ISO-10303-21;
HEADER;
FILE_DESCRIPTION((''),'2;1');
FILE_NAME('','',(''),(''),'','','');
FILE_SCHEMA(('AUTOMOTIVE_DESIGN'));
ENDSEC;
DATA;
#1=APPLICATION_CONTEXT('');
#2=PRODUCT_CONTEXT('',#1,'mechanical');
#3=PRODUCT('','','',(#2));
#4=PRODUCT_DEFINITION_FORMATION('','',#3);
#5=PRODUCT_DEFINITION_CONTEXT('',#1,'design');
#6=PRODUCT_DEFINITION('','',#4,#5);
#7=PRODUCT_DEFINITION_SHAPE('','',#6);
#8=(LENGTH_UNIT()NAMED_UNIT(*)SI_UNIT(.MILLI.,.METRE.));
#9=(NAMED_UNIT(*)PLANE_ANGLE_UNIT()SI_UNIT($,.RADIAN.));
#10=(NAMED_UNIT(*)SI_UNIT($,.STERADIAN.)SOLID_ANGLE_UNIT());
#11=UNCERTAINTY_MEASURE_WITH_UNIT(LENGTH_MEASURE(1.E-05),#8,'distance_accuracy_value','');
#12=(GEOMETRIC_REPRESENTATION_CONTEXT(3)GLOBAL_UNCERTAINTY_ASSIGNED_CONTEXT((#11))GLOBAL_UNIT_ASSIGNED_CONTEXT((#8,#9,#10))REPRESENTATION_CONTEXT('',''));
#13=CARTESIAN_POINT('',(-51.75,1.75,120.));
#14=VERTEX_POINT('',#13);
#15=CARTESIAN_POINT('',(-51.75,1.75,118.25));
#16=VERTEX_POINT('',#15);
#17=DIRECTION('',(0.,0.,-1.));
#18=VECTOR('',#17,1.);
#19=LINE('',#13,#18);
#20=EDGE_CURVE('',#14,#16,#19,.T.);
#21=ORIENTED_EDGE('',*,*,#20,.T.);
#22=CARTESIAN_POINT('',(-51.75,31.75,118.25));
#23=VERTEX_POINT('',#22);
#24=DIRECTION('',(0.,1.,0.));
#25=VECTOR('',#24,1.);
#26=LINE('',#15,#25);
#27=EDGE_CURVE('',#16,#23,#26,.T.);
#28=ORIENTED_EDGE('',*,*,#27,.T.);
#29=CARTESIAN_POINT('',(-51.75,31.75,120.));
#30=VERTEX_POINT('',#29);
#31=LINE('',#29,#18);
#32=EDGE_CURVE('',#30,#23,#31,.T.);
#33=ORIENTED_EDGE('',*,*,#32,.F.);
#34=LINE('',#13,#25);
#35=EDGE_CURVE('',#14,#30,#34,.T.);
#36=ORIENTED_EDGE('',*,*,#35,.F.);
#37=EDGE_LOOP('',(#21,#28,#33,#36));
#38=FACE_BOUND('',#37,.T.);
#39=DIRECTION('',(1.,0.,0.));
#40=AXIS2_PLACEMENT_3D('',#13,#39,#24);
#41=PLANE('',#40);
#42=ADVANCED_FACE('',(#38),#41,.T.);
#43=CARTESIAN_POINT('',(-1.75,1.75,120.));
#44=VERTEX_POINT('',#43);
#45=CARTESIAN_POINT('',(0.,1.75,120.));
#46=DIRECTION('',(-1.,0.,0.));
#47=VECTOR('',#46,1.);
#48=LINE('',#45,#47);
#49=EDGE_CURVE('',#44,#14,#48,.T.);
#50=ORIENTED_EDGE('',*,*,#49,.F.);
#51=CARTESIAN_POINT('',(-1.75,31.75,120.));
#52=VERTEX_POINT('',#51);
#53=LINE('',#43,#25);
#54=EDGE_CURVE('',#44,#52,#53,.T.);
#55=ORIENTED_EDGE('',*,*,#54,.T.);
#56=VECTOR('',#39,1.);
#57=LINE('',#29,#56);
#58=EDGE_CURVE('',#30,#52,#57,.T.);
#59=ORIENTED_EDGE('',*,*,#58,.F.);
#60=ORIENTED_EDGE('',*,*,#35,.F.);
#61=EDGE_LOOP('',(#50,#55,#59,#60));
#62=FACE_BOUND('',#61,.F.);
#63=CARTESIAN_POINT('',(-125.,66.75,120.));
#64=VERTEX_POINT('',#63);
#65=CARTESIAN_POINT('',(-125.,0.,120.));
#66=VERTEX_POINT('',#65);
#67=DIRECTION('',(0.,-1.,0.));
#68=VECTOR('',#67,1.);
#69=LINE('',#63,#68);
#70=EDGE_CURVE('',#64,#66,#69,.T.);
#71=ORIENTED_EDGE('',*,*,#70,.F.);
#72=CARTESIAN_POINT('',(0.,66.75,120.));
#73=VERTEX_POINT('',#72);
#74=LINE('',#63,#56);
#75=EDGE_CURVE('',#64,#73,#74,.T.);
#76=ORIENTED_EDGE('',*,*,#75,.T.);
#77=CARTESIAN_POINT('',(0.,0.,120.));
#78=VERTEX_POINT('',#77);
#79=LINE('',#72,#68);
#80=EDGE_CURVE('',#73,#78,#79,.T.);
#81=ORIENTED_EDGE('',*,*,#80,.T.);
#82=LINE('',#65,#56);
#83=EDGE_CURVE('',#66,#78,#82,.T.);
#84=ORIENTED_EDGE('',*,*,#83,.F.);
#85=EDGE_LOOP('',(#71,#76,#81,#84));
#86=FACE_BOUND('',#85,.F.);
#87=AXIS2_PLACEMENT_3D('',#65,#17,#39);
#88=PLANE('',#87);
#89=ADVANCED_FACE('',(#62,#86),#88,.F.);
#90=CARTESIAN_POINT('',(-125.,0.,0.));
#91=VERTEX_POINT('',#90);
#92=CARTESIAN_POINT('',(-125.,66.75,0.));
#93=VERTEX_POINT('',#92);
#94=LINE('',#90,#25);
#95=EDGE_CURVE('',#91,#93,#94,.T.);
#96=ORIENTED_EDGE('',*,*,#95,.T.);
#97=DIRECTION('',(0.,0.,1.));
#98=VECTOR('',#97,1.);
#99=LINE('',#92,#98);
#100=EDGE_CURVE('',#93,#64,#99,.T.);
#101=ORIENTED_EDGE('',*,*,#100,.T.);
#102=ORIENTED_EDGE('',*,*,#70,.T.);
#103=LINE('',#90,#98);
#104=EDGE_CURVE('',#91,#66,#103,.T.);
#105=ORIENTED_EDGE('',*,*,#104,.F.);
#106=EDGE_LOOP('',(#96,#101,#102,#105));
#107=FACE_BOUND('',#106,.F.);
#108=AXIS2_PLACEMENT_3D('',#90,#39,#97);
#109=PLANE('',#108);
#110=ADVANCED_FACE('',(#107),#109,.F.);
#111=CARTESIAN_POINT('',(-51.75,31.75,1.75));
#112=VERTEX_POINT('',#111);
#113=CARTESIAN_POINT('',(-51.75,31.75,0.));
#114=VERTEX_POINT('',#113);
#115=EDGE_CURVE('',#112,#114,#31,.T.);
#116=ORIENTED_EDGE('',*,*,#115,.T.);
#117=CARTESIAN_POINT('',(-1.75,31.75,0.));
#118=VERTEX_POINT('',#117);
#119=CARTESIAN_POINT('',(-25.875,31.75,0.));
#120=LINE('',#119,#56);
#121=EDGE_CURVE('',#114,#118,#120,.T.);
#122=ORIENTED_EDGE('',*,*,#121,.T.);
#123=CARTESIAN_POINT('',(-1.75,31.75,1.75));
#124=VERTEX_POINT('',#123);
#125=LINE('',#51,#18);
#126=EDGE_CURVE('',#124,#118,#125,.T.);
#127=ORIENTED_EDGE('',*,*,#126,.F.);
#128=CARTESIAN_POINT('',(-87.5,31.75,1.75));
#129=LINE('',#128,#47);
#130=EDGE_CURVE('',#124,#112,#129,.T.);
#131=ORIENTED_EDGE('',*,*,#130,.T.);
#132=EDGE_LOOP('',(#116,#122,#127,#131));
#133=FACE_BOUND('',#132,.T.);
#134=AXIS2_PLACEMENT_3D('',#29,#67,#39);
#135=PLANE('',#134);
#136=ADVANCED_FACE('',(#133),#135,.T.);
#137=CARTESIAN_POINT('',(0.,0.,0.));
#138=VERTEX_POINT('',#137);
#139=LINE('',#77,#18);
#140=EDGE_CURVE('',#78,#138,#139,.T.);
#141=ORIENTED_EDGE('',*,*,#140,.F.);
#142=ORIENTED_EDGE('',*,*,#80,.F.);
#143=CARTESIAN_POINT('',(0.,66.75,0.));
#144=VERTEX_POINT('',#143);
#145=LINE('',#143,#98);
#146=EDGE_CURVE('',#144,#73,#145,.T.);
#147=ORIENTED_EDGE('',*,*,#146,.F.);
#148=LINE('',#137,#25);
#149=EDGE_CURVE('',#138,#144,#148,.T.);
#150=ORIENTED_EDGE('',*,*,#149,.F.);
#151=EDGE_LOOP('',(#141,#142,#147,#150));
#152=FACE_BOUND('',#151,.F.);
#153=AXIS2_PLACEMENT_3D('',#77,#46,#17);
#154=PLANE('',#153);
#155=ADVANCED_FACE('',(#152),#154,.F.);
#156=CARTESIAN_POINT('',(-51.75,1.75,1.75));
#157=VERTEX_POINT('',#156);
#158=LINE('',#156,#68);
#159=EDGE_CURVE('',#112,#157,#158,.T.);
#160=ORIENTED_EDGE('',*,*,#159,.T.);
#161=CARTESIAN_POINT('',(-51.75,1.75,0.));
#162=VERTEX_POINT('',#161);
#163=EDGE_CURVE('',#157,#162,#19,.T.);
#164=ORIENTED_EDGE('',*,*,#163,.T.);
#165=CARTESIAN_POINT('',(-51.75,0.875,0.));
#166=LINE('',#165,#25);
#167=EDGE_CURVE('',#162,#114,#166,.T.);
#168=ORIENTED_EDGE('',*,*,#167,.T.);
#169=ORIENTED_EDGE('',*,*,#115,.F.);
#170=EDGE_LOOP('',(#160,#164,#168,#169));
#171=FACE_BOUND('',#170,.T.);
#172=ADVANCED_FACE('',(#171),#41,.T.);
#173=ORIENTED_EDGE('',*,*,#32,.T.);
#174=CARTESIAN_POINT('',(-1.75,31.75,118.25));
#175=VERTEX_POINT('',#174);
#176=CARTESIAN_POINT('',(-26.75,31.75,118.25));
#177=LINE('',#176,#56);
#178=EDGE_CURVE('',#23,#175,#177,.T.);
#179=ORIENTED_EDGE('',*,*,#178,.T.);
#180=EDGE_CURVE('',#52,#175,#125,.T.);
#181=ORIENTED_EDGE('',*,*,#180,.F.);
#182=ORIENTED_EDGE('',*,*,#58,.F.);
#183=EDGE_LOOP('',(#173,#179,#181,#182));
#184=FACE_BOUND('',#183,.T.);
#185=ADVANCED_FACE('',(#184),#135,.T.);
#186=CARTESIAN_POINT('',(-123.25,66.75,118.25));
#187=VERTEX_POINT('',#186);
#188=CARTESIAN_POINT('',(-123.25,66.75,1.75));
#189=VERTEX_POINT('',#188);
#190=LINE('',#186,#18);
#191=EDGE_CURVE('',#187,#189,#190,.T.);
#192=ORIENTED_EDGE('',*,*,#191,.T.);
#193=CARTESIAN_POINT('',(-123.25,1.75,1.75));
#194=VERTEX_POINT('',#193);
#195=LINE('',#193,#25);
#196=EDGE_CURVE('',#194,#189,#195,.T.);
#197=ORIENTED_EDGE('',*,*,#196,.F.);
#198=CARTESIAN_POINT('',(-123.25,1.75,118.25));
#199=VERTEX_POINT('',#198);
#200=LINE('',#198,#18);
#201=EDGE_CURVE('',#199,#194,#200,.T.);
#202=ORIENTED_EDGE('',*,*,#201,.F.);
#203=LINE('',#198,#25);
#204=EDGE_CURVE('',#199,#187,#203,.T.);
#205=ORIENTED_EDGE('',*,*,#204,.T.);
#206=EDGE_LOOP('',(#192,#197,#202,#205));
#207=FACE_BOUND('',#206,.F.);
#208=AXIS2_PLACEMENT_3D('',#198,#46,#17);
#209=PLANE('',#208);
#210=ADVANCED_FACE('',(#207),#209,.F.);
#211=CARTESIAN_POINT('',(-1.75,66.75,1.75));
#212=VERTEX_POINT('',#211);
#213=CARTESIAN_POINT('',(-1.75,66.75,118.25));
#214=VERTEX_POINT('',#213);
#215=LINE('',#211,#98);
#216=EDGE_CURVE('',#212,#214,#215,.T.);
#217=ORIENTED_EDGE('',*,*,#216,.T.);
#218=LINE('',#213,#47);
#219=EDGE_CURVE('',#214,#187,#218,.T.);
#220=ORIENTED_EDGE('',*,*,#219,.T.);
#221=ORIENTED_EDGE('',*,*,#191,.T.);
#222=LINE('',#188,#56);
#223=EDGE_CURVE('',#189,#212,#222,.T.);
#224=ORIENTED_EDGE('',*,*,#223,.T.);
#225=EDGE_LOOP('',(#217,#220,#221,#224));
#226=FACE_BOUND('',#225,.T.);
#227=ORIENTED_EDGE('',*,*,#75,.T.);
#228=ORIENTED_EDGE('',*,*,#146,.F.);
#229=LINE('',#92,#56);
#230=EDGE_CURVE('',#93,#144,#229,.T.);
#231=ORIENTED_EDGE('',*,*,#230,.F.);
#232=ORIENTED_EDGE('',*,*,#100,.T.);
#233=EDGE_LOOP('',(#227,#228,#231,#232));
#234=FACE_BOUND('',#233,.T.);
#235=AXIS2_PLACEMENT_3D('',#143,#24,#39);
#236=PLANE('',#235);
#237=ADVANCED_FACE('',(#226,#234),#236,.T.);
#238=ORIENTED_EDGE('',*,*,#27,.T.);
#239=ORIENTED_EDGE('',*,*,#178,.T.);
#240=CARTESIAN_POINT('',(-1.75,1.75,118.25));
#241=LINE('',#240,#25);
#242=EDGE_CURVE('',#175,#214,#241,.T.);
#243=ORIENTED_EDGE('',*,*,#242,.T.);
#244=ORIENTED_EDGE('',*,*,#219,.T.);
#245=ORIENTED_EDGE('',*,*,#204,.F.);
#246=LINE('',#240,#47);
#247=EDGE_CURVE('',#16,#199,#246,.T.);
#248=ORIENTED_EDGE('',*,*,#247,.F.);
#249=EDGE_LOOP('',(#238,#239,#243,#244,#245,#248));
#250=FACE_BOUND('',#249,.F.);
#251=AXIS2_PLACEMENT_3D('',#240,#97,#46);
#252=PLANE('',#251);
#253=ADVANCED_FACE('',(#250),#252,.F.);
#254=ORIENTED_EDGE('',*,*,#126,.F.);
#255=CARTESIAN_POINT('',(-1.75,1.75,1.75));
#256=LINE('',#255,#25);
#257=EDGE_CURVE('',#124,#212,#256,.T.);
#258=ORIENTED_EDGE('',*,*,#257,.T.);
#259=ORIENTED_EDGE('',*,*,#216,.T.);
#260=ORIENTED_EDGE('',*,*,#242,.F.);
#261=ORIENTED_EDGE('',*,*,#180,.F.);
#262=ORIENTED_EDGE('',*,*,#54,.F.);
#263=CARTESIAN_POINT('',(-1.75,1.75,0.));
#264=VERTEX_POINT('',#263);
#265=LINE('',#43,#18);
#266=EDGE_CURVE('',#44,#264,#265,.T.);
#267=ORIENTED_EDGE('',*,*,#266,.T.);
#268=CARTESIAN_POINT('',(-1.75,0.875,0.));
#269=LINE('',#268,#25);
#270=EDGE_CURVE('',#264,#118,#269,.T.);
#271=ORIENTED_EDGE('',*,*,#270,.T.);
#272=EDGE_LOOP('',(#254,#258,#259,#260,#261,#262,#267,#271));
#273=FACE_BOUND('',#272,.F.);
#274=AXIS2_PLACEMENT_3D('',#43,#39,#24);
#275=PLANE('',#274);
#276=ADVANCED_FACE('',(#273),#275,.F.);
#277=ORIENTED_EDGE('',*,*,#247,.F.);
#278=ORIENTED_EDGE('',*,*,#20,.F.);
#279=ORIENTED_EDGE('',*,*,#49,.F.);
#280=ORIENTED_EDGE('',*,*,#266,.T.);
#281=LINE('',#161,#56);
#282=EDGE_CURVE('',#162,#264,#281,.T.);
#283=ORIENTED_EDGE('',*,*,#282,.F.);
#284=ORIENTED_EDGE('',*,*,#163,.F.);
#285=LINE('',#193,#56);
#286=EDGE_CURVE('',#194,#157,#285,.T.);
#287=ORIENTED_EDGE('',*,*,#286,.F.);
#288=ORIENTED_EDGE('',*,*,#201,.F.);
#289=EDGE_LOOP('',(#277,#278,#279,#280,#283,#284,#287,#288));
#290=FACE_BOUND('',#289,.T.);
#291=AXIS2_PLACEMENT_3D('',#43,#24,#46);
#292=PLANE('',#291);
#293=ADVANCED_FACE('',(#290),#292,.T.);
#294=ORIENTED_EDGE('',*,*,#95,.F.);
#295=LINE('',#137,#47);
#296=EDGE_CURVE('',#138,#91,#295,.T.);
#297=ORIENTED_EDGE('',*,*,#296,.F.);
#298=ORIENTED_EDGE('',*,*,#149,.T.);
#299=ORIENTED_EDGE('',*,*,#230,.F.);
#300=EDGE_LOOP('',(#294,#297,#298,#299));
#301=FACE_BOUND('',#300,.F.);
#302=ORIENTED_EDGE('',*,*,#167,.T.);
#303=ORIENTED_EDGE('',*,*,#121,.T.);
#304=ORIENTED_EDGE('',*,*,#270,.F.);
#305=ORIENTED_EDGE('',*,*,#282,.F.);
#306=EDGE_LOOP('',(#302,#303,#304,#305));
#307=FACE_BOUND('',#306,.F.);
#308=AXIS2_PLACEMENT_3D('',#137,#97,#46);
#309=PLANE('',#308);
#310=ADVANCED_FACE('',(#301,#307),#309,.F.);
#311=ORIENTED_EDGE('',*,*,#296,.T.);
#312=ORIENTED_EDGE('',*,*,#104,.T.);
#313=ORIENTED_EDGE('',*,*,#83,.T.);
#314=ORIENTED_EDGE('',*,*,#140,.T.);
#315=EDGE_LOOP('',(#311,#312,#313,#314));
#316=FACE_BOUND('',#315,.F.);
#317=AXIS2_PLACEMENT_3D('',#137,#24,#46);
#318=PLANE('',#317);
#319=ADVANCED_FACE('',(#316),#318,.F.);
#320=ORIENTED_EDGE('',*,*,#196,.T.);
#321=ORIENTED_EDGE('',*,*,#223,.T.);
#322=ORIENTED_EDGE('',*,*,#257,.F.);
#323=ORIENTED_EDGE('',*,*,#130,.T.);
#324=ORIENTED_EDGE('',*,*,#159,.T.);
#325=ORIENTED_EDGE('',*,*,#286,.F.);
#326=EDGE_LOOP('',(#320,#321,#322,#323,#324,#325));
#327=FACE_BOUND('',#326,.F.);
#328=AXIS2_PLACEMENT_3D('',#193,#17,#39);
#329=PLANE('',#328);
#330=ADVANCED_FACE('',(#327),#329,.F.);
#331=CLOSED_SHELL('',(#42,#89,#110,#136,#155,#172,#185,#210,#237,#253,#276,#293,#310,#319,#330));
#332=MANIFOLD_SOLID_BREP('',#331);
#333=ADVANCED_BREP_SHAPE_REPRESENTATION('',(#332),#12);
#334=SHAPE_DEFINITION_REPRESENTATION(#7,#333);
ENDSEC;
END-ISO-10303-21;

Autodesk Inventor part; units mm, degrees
ref_plane "YZ Plane" through (0, 0, 0) normal (1, 0, 0) x (0, 1, 0)
ref_plane "XZ Plane" through (0, 0, 0) normal (0, 1, 0) x (-1, 0, 0)
ref_plane "XY Plane" through (0, 0, 0) normal (0, 0, 1) x (1, 0, 0)
sketch "Sketch1" plane through (0, 0, 0) normal (0, 1, 0) x (-1, 0, 0)
  line L0 (0, 0) -> (125, 0)
  line L1 (125, 0) -> (125, 120)
  line L2 (125, 120) -> (0, 120)
  line L3 (0, 120) -> (0, 0)
  dimension "d0" = 125
  dimension "d1" = 120
extrude "Extrusion1" add sketch "Sketch1" along normal blind 1.75
sketch "Sketch2" plane through (0, 1.75, 0) normal (0, 1, 0) x (1, 0, 0)
  line L0 (0, 0) -> (-125, 0) projected
  line L1 (-125, 0) -> (-125, -120) projected
  line L2 (-125, -120) -> (0, -120) projected
  line L3 (0, -120) -> (0, 0) projected
  line L4 (-125, 0) -> (-119.2077, 0)
  line L5 (-125, -4.4946) -> (-125, 0)
  line L6 (-125, 0) -> (-123.25, 0)
  line L7 (-123.25, 0) -> (-123.25, -1.75)
  line L8 (-123.25, -1.75) -> (-125, -1.75)
  line L9 (-125, -1.75) -> (-125, 0)
  line L10 (0, -120) -> (-1.75, -120)
  line L11 (-1.75, -120) -> (-1.75, -118.25)
  line L12 (-1.75, -118.25) -> (0, -118.25)
  line L13 (0, -118.25) -> (0, -120)
  line L14 (-1.75, -118.25) -> (-123.25, -118.25)
  line L15 (-123.25, -118.25) -> (-123.25, -1.75)
  line L16 (-123.25, -1.75) -> (-1.75, -1.75)
  line L17 (-1.75, -1.75) -> (-1.75, -118.25)
  dimension "d4" = 1.75
  dimension "d5" = 1.75
  dimension "d6" = 1.75
  dimension "d7" = 1.75
extrude "Extrusion2" add sketch "Sketch2" along normal blind 65 contours L3 L12 L17 L16 L7 L0 | L3 L2 L11 L12 | L7 L8 L1 L0 | L11 L2 L1 L8 L15 L14
sketch "Sketch3" plane through (0, 0, 120) normal (1, 0, 0) x (0, 0, -1)
  line L0 (0, 0) -> (120, 0) projected
  line L1 (120, 0) -> (120, 66.75) projected
  line L2 (0, 66.75) -> (120, 66.75) projected
  line L3 (0, 0) -> (0, 66.75) projected
sketch "Sketch4" plane through (0, 0, 0) normal (0, 0, -1) x (-1, 0, 0)
  line L0 (0, 0) -> (1.75, 0)
  line L1 (1.75, 0) -> (1.75, 30)
  line L2 (1.75, 30) -> (0, 30)
  line L3 (0, 30) -> (0, 0)
  line L4 (1.75, 30) -> (16.75, 30)
  line L5 (16.75, 30) -> (16.75, 0)
  line L6 (16.75, 0) -> (1.75, 0)
  line L7 (1.75, 0) -> (1.75, 30)
  line L8 (0, 0) -> (55, 0)
  line L9 (55, 0) -> (55, 1.75)
  line L10 (55, 1.75) -> (0, 1.75)
  line L11 (0, 1.75) -> (0, 0)
  line L12 (16.75, 1.75) -> (46.75, 1.75)
  line L13 (46.75, 1.75) -> (46.75, 30)
  line L14 (46.75, 30) -> (16.75, 30)
  line L15 (16.75, 30) -> (16.75, 1.75)
  dimension "d10" = 1.75
  dimension "d11" = 30
  dimension "d12" = 15
  dimension "d13" = 30
  dimension "d14" = 55
  dimension "d15" = 1.75
  dimension "d16" = 30
extrude "Extrusion3" cut sketch "Sketch4" against normal blind 4 contours L5 L14 L13 L10
sketch "Sketch5" plane through (-125, 0, 120) normal (0, 0, 1) x (1, 0, 0)
  line L0 (125, 0) -> (125, 66.75) projected
  line L1 (0, 66.75) -> (125, 66.75) projected
  line L2 (0, 0) -> (125, 0)
  line L3 (125, 0) -> (125, 1.75)
  line L4 (125, 1.75) -> (0, 1.75)
  line L5 (0, 1.75) -> (0, 0)
  line L6 (125, 1.75) -> (123.25, 1.75)
  line L7 (123.25, 1.75) -> (123.25, 66.75)
  line L8 (123.25, 66.75) -> (125, 66.75)
  line L9 (125, 66.75) -> (125, 1.75)
  line L10 (123.25, 1.75) -> (73.25, 1.75)
  line L11 (73.25, 1.75) -> (73.25, 31.75)
  line L12 (73.25, 31.75) -> (123.25, 31.75)
  line L13 (123.25, 31.75) -> (123.25, 1.75)
  dimension "d19" = 1.75
  dimension "d20" = 1.75
  dimension "d21" = 50
  dimension "d22" = 30
extrude "Extrusion4" cut sketch "Sketch5" against normal blind 8621077.25 contours L4 L11 L12 L7
properties part number "Case"
